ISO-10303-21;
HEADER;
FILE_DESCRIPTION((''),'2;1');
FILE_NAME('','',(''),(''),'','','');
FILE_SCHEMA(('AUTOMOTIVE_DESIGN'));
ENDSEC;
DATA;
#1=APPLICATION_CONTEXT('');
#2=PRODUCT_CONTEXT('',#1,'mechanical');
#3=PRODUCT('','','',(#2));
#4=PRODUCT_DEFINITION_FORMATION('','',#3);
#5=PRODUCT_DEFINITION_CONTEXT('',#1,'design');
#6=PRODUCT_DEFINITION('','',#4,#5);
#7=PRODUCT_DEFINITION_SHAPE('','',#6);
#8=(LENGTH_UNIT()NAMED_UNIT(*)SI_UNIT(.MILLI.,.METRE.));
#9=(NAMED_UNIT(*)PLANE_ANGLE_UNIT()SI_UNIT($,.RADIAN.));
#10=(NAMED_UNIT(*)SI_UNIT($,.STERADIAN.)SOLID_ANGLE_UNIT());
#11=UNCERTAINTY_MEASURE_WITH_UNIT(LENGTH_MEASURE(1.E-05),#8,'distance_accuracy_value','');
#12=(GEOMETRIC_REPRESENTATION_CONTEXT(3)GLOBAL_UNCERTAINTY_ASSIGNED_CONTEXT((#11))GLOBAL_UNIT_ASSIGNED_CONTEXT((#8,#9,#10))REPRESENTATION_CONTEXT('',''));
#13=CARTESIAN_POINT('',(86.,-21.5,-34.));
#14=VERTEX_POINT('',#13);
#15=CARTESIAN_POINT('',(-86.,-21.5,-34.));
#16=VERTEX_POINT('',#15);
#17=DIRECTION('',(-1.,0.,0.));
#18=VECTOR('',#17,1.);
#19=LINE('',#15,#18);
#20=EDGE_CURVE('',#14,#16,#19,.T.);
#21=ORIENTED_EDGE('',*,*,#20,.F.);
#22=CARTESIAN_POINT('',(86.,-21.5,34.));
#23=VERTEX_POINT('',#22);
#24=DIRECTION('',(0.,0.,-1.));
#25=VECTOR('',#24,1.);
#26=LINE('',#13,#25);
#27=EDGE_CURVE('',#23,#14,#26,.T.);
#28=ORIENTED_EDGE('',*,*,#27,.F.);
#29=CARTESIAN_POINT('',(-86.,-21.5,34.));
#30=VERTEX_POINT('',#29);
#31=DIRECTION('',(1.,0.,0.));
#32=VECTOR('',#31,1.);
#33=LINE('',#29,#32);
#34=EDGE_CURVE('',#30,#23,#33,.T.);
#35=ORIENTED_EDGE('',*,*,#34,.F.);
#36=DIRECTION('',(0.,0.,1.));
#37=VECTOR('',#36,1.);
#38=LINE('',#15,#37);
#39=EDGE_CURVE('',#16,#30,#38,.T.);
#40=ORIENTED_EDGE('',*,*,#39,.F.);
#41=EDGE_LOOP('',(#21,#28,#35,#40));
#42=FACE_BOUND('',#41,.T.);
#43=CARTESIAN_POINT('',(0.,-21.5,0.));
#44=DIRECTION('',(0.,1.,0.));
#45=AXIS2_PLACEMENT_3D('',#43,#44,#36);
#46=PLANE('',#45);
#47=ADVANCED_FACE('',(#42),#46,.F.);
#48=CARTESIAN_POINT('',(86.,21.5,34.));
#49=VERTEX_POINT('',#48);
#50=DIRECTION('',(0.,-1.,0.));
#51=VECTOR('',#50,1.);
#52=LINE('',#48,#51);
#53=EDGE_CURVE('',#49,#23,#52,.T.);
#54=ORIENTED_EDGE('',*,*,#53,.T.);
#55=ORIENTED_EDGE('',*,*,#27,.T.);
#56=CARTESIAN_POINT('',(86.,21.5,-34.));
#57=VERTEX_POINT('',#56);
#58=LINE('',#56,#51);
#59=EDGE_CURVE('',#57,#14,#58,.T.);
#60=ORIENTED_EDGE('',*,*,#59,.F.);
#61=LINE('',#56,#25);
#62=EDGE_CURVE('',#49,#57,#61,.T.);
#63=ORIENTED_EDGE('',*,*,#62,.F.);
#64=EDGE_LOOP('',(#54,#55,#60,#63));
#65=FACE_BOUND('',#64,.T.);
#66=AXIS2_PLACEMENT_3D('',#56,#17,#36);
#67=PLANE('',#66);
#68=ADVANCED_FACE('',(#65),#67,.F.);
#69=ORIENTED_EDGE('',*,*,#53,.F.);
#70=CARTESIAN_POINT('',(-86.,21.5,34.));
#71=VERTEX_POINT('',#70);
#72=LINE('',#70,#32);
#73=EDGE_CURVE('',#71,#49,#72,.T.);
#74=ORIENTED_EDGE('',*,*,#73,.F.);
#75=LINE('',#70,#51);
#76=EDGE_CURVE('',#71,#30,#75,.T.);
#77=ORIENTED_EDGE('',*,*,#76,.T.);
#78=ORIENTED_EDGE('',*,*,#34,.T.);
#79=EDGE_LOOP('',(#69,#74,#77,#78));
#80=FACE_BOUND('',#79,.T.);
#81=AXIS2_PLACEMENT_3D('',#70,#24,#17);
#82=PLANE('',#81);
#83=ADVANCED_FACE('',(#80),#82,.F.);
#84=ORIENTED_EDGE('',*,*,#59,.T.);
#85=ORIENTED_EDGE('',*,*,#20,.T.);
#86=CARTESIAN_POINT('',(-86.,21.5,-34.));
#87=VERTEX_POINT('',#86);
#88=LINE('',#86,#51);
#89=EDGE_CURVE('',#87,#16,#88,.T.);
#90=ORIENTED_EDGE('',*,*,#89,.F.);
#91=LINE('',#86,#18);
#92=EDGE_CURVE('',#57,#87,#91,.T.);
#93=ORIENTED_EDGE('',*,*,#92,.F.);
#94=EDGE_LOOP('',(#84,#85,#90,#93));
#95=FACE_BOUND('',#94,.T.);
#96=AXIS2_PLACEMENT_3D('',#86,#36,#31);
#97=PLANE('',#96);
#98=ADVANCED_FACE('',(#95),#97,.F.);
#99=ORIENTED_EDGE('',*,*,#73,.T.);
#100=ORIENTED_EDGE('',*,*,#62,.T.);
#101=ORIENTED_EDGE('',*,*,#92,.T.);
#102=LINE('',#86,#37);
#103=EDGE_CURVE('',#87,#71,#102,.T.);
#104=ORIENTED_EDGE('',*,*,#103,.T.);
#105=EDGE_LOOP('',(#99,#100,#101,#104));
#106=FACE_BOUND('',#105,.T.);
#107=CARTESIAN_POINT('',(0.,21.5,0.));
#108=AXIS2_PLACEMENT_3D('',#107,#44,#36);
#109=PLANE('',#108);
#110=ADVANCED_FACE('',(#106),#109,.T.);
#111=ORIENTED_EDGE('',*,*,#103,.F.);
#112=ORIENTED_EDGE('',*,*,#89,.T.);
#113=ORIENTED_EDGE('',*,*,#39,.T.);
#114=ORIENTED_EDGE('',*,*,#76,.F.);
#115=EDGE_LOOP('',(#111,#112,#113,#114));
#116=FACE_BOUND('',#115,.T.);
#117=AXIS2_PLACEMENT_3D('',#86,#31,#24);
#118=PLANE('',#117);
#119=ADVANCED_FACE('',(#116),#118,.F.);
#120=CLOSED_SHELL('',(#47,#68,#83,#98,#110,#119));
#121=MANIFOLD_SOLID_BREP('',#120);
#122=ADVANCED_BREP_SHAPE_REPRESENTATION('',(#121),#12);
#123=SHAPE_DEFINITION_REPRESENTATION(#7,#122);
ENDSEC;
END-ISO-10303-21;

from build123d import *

# Parameters (mm, degrees)
IZIM1_W                     = 172
IZIM1_H                     = 68
Y_KSEKLIK_EKSTR_ZYON1_DEPTH = 21.5


with BuildPart() as part:
    # Çizim1 → Yükseklik-Ekstrüzyon1 (new, symmetric)
    with BuildSketch(Plane(origin=(0, 0, 0), x_dir=(1, 0, 0), z_dir=(0, 1, 0))):
        Rectangle(IZIM1_W, IZIM1_H)
    extrude(amount=Y_KSEKLIK_EKSTR_ZYON1_DEPTH, both=True)


solid = part.part
